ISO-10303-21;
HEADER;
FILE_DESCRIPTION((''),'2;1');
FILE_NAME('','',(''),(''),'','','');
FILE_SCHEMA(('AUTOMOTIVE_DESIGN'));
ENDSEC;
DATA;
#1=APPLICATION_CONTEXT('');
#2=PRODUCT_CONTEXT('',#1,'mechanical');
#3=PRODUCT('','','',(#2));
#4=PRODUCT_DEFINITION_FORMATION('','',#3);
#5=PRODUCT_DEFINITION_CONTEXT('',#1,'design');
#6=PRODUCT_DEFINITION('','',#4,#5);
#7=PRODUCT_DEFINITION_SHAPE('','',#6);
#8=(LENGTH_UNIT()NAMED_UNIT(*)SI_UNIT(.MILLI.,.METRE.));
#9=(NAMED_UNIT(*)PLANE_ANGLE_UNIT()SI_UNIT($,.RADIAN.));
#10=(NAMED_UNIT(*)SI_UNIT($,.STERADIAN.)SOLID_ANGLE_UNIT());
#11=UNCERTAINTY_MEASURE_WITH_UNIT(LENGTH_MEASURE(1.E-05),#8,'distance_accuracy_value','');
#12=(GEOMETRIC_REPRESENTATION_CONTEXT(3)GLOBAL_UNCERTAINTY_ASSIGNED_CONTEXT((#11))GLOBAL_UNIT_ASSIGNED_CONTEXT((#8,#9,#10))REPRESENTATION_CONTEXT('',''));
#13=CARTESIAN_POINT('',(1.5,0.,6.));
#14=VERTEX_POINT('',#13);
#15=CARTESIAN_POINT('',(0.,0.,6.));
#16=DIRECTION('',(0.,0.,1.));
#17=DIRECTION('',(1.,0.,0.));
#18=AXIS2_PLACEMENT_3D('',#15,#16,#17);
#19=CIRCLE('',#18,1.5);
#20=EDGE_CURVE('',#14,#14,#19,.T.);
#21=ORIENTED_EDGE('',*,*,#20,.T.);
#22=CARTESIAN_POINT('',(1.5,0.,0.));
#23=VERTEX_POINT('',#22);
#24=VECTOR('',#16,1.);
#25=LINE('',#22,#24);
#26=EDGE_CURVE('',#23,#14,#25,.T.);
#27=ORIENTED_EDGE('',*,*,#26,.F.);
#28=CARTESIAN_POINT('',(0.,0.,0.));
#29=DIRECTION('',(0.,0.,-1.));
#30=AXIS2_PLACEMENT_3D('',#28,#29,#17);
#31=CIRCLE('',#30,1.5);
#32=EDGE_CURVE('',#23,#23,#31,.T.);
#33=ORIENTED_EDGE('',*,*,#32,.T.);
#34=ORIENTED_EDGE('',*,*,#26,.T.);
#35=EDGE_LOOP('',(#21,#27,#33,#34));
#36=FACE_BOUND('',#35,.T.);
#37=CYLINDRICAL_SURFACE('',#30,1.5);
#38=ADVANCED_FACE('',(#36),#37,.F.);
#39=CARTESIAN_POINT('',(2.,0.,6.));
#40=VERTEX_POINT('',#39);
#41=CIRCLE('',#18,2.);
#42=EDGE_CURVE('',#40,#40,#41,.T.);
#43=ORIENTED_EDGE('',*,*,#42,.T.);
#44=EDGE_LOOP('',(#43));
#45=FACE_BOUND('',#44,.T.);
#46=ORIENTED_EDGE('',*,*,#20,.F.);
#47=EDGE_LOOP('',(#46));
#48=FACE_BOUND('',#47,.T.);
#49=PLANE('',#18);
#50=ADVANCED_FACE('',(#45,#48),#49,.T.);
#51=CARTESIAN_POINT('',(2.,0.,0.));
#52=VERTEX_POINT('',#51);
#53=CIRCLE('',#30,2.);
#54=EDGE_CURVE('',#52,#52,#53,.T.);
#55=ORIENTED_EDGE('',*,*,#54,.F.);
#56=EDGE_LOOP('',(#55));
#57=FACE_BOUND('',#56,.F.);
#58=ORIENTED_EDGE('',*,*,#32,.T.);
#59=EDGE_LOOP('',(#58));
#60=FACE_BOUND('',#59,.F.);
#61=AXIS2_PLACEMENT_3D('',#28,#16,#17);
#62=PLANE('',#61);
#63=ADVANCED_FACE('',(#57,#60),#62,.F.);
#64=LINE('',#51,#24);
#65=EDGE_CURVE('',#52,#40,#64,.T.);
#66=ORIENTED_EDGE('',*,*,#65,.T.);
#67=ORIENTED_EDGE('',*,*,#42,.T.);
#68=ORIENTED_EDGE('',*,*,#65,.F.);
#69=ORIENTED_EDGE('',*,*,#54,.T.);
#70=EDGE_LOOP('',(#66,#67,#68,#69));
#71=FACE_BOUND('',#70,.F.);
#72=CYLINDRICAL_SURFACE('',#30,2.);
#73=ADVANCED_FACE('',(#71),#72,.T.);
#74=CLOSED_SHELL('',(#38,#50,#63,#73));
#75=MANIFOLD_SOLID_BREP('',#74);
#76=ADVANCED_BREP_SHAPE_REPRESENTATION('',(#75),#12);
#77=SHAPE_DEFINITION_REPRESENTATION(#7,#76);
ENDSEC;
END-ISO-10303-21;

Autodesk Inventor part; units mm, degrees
ref_plane "YZ Plane" through (0, 0, 0) normal (1, 0, 0) x (0, 1, 0)
ref_plane "XZ Plane" through (0, 0, 0) normal (0, 1, 0) x (-1, 0, 0)
ref_plane "XY Plane" through (0, 0, 0) normal (0, 0, 1) x (1, 0, 0)
sketch "Skizze1" plane through (0, 0, 0) normal (0, 0, 1) x (1, 0, 0)
  line L0 (-2.8, 0) -> (2.8, 0) projected
  line L1 (0, -2.8) -> (0, 2.8) projected
  circle A0 centre (0, 0) radius 1.5
  circle A1 centre (0, 0) radius 2
  dimension "d0" = 4
  dimension "d1" = 3
extrude "Extrusion1" add sketch "Skizze1" along normal blind 6 contours A0 L1 A1 L0 | L0 A1 L1 A0 | A0 L0 A1 L1 | L1 A1 L0 A0
properties part number "Rohr"
